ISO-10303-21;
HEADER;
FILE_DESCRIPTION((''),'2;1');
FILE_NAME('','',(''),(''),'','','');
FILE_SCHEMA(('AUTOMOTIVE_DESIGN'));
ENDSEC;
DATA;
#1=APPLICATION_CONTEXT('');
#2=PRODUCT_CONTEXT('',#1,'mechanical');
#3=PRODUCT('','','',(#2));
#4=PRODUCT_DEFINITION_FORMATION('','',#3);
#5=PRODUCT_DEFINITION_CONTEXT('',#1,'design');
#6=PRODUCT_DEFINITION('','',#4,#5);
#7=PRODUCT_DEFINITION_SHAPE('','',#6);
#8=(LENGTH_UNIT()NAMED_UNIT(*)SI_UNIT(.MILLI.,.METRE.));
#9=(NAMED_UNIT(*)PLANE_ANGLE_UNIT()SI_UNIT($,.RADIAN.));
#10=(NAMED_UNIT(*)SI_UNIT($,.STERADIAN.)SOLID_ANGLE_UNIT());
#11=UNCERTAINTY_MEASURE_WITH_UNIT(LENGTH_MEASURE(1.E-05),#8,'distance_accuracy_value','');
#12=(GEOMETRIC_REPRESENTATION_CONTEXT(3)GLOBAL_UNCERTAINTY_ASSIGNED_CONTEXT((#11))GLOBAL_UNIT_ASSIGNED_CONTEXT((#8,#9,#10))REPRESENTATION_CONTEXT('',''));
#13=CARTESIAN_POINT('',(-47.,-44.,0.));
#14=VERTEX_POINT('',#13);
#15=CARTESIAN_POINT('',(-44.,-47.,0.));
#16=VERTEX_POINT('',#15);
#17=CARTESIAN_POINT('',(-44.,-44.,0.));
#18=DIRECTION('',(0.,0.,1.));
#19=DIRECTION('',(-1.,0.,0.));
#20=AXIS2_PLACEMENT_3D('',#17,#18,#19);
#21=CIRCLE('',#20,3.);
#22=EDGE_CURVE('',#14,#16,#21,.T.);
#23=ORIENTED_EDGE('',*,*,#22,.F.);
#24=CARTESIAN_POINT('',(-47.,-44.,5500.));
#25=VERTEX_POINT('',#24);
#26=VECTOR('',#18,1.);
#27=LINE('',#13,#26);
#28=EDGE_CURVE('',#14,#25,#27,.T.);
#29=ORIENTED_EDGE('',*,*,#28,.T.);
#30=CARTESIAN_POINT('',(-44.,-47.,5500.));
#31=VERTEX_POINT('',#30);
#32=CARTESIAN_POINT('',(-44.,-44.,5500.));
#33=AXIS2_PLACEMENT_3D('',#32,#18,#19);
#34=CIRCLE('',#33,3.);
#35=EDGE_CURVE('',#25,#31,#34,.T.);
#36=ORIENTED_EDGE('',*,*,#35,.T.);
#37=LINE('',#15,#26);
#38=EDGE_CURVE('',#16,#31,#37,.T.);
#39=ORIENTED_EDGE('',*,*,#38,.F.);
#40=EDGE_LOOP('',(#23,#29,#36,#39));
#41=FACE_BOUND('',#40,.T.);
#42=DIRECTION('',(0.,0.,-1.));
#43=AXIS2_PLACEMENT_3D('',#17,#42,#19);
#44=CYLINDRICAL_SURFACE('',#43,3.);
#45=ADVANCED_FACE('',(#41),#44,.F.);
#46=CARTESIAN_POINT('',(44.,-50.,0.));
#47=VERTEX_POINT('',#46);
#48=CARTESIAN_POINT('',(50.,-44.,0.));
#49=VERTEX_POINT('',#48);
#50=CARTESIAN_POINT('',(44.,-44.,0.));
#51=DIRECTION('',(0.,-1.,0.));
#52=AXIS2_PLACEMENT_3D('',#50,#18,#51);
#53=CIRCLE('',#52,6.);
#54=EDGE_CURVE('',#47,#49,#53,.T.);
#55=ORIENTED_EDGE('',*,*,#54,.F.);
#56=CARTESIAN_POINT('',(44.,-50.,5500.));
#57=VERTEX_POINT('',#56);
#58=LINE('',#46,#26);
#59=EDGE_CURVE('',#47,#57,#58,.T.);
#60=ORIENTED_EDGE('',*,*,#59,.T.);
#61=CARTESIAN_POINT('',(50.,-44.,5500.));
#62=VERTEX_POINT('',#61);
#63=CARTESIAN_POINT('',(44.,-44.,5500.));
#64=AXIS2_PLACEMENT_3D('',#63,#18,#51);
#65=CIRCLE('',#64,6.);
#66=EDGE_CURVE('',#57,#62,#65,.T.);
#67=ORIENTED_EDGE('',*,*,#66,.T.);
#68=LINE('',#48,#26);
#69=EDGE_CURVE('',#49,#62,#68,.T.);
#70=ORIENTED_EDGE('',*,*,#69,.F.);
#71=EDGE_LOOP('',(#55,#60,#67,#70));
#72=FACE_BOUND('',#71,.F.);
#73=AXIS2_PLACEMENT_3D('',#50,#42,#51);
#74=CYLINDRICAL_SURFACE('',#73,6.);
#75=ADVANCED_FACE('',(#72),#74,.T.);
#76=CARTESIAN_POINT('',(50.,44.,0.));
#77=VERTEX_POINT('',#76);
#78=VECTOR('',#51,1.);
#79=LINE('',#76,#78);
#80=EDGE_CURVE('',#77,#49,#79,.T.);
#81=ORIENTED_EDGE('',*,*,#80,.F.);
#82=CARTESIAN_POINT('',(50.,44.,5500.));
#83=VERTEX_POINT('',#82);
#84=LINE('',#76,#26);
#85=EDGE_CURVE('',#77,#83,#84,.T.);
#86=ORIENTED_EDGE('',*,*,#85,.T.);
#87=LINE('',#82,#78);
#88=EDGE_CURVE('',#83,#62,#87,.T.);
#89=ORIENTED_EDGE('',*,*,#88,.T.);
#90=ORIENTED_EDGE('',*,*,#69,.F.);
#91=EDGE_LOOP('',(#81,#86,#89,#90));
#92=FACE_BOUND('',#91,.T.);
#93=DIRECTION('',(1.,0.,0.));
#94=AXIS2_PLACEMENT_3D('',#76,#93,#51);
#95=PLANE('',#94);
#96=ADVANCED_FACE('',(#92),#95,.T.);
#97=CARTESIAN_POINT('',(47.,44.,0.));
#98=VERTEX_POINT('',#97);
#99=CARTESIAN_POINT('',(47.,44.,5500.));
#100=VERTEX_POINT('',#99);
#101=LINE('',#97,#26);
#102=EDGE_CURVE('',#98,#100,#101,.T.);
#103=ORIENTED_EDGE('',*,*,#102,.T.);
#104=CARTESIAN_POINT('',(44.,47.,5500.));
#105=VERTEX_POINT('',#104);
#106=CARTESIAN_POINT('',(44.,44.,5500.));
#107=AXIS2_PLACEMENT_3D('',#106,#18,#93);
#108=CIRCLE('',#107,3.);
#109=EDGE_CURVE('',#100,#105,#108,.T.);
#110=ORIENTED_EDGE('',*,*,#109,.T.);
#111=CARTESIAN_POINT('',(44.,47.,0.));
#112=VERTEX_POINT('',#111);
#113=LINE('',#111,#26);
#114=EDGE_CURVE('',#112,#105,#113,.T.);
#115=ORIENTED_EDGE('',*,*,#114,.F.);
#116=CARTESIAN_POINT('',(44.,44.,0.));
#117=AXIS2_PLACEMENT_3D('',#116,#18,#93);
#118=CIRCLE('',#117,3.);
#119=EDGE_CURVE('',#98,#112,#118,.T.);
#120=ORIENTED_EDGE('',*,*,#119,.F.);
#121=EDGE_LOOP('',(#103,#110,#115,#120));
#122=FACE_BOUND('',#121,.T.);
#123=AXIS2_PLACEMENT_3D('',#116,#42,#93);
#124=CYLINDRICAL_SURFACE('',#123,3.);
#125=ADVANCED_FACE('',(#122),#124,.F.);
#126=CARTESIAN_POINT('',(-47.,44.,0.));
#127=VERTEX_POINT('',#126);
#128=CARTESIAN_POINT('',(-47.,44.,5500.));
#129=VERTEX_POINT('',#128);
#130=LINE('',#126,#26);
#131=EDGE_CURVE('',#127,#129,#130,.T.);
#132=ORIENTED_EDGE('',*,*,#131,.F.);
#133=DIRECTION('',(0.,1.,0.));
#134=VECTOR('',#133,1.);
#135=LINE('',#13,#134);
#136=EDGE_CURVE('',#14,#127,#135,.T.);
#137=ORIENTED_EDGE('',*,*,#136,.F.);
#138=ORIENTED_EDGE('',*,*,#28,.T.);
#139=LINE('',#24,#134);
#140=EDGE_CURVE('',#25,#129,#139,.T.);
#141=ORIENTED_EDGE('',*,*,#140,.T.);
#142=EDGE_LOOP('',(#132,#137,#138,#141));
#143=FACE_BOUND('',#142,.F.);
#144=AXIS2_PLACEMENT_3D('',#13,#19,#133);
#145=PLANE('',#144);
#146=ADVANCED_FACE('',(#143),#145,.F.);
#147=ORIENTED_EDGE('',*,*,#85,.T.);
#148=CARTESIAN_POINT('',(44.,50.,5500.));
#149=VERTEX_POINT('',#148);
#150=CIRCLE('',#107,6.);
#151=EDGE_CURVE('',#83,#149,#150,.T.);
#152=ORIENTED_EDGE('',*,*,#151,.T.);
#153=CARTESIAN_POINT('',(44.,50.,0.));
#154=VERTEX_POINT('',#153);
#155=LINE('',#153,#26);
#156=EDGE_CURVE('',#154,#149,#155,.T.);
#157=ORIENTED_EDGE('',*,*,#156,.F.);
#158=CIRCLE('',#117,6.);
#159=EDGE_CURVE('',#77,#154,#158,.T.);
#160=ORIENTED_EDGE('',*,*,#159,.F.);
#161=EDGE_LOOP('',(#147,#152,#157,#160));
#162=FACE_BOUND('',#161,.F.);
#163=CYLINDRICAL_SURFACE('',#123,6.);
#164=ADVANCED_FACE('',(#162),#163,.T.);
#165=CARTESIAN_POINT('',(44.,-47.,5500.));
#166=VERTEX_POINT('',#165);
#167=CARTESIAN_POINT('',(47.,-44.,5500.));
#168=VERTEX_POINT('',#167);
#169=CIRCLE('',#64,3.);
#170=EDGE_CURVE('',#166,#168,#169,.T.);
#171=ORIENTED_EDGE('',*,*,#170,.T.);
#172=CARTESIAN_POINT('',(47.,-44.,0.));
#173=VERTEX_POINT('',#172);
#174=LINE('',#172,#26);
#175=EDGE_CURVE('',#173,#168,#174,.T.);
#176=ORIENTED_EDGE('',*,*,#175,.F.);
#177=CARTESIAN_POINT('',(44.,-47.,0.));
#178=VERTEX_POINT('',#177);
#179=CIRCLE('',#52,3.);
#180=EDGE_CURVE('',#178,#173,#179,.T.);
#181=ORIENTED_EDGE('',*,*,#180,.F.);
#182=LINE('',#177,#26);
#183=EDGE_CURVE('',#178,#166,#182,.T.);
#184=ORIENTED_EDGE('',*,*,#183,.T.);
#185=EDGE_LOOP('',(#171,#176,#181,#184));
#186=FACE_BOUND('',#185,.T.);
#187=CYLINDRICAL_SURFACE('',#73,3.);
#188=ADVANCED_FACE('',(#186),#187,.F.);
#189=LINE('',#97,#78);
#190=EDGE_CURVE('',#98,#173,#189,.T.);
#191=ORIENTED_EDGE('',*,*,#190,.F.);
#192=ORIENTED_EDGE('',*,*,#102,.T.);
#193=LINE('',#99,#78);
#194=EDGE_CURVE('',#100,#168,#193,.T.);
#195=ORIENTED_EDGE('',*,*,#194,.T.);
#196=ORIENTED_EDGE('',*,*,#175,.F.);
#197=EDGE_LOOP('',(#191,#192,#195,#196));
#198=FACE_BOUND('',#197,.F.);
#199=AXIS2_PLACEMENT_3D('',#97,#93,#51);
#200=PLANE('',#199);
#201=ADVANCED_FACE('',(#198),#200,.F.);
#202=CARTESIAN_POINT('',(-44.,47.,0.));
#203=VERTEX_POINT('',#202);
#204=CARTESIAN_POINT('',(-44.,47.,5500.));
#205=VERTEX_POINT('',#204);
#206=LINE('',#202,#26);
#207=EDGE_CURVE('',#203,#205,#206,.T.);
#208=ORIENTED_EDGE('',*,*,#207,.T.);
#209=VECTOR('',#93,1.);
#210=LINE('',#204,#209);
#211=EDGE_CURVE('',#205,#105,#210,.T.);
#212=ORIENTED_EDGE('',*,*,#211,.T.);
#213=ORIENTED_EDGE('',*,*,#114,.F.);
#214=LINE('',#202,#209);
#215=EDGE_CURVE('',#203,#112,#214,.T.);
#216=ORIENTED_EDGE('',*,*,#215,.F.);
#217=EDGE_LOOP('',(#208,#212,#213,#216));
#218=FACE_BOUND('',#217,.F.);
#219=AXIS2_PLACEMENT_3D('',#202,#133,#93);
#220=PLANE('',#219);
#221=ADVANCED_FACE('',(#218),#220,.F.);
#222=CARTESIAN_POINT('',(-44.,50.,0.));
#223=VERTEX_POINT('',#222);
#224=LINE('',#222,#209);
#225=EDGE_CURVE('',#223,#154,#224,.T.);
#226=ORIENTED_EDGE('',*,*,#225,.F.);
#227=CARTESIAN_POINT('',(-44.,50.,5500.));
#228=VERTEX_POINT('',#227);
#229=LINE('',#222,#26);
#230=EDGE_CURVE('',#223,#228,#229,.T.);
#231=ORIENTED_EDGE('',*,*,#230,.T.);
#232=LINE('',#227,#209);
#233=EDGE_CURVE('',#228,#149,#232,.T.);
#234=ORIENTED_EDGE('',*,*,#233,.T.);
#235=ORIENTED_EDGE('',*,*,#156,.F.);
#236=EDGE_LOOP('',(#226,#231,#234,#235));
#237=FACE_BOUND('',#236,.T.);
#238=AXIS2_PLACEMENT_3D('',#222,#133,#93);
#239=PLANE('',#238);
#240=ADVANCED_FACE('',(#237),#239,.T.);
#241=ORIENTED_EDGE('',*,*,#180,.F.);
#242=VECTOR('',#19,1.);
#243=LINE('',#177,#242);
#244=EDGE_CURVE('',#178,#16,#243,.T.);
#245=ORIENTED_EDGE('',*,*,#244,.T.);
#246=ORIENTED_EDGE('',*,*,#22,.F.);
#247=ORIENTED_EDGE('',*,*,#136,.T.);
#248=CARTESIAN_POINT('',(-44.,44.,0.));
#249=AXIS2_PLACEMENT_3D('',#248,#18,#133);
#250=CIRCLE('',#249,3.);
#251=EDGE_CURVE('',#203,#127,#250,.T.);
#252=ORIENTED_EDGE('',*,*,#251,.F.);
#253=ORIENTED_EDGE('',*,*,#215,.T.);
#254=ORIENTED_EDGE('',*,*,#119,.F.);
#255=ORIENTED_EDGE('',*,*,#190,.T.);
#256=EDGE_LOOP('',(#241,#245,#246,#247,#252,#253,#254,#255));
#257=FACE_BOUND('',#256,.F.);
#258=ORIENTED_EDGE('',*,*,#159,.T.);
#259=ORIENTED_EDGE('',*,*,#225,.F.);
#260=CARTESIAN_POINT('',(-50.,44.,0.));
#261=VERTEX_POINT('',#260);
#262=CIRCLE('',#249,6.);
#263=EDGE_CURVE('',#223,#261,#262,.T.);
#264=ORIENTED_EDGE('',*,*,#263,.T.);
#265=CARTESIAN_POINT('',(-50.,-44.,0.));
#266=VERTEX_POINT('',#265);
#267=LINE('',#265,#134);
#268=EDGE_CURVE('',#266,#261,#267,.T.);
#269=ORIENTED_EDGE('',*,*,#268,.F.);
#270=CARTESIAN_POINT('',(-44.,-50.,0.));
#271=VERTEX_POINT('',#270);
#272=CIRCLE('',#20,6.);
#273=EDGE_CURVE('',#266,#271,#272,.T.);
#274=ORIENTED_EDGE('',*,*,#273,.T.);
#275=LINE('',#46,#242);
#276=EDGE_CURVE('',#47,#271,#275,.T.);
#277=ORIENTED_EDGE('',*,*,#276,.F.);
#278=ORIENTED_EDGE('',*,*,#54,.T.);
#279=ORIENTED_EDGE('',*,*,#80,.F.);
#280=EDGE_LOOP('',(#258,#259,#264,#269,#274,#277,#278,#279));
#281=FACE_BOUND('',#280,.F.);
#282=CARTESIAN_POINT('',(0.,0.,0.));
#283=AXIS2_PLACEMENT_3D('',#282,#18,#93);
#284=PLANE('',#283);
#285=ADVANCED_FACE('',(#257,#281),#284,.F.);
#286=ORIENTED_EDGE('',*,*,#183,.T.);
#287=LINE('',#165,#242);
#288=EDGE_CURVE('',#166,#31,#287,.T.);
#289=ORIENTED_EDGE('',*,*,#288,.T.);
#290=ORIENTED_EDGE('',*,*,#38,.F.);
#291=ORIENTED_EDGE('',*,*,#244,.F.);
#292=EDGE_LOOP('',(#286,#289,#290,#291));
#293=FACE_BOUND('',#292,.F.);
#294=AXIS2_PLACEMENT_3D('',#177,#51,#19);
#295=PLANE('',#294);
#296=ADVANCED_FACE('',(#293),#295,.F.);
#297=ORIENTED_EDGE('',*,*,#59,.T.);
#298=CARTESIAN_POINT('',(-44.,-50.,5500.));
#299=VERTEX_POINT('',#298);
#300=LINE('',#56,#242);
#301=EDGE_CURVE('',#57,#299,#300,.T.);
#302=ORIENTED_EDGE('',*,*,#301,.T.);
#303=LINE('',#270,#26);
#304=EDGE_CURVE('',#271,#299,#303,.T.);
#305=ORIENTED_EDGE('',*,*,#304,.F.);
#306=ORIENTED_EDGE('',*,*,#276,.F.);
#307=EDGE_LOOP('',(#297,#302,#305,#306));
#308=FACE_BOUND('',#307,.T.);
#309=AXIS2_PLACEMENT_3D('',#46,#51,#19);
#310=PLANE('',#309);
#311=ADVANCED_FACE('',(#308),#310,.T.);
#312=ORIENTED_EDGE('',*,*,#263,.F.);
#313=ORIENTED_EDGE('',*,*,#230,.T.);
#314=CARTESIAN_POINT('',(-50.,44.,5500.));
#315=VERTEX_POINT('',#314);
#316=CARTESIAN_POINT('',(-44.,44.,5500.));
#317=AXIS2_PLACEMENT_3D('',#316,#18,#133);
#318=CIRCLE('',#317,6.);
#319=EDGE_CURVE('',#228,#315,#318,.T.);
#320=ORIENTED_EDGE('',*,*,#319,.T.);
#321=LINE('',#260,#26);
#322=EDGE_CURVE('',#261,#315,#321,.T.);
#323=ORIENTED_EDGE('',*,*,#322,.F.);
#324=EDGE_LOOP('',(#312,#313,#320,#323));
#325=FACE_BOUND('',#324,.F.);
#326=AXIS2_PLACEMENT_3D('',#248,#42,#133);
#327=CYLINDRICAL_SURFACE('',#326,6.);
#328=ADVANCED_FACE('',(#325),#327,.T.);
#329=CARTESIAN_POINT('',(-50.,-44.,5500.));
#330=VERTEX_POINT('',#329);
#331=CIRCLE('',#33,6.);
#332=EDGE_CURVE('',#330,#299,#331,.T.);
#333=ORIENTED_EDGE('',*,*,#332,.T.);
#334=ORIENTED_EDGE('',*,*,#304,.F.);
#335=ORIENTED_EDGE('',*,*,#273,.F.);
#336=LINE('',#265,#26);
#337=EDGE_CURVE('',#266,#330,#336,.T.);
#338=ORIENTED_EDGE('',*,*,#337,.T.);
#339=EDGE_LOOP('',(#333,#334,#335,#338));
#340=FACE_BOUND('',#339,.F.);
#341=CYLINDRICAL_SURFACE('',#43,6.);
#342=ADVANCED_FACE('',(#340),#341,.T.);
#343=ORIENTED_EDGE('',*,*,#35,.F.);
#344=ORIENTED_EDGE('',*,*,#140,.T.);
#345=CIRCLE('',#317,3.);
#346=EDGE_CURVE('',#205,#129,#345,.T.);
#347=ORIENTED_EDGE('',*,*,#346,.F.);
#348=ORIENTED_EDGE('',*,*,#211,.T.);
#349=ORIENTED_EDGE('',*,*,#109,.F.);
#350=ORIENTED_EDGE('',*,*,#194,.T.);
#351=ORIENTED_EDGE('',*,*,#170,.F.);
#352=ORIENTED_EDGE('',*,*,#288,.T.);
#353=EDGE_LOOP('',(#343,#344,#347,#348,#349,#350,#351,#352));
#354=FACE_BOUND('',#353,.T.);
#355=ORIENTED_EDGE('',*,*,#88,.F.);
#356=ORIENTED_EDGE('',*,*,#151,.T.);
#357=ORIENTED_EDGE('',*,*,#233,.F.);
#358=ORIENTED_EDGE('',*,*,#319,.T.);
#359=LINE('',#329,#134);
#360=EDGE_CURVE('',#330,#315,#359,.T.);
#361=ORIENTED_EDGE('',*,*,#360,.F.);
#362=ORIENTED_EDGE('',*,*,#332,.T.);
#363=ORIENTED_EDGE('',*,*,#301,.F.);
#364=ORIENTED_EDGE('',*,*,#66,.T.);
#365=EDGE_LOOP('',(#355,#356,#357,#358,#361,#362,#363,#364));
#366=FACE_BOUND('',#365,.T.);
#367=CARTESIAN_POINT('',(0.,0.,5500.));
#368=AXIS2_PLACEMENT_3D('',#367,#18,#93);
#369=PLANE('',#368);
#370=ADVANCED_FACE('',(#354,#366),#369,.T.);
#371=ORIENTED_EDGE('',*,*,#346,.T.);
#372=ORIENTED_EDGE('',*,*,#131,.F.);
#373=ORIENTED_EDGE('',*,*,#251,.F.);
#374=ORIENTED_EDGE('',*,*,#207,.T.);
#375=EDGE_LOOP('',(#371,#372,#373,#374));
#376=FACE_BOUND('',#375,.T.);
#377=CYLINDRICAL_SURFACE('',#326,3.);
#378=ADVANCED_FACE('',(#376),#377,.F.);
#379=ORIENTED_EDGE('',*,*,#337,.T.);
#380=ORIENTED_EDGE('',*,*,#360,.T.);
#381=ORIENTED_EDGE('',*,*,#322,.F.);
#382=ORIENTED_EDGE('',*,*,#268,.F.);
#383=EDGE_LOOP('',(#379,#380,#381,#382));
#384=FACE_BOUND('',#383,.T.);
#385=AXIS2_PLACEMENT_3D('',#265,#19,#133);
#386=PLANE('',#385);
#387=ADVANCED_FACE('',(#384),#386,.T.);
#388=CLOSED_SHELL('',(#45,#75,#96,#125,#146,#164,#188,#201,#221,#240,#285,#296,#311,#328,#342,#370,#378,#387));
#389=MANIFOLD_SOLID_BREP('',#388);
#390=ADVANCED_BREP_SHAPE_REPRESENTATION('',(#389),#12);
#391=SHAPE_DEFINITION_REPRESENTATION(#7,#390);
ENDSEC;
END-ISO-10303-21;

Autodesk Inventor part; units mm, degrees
ref_plane "YZ Plane" through (0, 0, 0) normal (1, 0, 0) x (0, 1, 0)
ref_plane "Start Plane" through (0, 0, 0) normal (0, 0, 1) x (1, 0, 0)
ref_plane "End Plane" through (0, 0, 5500) normal (0, 0, 1) x (1, 0, 0)
sketch "Sketch" plane through (0, 0, 0) normal (0, 0, 1) x (1, 0, 0)
  line L0 (-50, -44) -> (-50, 44)
  line L1 (-44, 50) -> (44, 50)
  line L2 (50, 44) -> (50, -44)
  line L3 (44, -50) -> (-44, -50)
  arc A0 (-50, -44) -> (-44, -50) centre (-44, -44) ccw
  arc A1 (50, 44) -> (44, 50) centre (44, 44) ccw
  arc A2 (-44, 50) -> (-50, 44) centre (-44, 44) ccw
  arc A3 (44, -50) -> (50, -44) centre (44, -44) ccw
  arc A4 (-44, 47) -> (-47, 44) centre (-44, 44) ccw
  line L4 (-44, 47) -> (44, 47)
  arc A5 (47, 44) -> (44, 47) centre (44, 44) ccw
  line L5 (47, 44) -> (47, -44)
  arc A6 (44, -47) -> (47, -44) centre (44, -44) ccw
  line L6 (44, -47) -> (-44, -47)
  arc A7 (-47, -44) -> (-44, -47) centre (-44, -44) ccw
  line L7 (-47, -44) -> (-47, 44)
  line L8 (0, 71.7397) -> (0, -71.7397) construction
  line L9 (-71.7397, 0) -> (71.7397, 0) construction
  dimension "d7" = 6
  dimension "d9" = 100
  dimension "d11" = 100
  dimension "d12" = 3
  dimension "d15" = 50
  dimension "d16" = 50
extrude "Body" add sketch "Sketch" along normal up to surface (5500 mm away) from surface at 0
sketch "Sketch3" plane through (0, 0, 0) normal (0, 0, 1) x (1, 0, 0)
  line L0 (0, 0) -> (10, 0)
ref_plane "Work Plane3" through (0, 0, 0) normal (0, -1, 0) x (1, 0, 0)
sketch "Sketch4" plane through (0, 0, 0) normal (0, -1, 0) x (1, 0, 0)
  line L0 (-2, 0) -> (12, 0) projected
  line L1 (-2, 5500) -> (12, 5500) projected
  dimension "d18" = 5500
equation "\"d7\" = G_IR"
equation "\"d9\" = G_W"
equation "\"d11\" = G_H"
equation "\"d12\" = G_T"
equation "\"d15\" = 0.5 * d9"
equation "\"d16\" = 0.5 * d11"
equation "\"d3\" = G_L"
equation "\"G_W\" = 100"
equation "\"G_H\" = 100"
equation "\"G_T\" = 3"
equation "\"G_IR\" = 6"
equation "\"G_L\" = d18"
equation "\"G_OFFSET_START\" = 0"
equation "\"G_OFFSET_END\" = 0"
equation "\"d14\" = G_OFFSET_END + B_L"
equation "\"B_L\" = 5500"
properties part number "ISO 10799-2 - 100x100x3 - 5500" material "Steel, Mild"
